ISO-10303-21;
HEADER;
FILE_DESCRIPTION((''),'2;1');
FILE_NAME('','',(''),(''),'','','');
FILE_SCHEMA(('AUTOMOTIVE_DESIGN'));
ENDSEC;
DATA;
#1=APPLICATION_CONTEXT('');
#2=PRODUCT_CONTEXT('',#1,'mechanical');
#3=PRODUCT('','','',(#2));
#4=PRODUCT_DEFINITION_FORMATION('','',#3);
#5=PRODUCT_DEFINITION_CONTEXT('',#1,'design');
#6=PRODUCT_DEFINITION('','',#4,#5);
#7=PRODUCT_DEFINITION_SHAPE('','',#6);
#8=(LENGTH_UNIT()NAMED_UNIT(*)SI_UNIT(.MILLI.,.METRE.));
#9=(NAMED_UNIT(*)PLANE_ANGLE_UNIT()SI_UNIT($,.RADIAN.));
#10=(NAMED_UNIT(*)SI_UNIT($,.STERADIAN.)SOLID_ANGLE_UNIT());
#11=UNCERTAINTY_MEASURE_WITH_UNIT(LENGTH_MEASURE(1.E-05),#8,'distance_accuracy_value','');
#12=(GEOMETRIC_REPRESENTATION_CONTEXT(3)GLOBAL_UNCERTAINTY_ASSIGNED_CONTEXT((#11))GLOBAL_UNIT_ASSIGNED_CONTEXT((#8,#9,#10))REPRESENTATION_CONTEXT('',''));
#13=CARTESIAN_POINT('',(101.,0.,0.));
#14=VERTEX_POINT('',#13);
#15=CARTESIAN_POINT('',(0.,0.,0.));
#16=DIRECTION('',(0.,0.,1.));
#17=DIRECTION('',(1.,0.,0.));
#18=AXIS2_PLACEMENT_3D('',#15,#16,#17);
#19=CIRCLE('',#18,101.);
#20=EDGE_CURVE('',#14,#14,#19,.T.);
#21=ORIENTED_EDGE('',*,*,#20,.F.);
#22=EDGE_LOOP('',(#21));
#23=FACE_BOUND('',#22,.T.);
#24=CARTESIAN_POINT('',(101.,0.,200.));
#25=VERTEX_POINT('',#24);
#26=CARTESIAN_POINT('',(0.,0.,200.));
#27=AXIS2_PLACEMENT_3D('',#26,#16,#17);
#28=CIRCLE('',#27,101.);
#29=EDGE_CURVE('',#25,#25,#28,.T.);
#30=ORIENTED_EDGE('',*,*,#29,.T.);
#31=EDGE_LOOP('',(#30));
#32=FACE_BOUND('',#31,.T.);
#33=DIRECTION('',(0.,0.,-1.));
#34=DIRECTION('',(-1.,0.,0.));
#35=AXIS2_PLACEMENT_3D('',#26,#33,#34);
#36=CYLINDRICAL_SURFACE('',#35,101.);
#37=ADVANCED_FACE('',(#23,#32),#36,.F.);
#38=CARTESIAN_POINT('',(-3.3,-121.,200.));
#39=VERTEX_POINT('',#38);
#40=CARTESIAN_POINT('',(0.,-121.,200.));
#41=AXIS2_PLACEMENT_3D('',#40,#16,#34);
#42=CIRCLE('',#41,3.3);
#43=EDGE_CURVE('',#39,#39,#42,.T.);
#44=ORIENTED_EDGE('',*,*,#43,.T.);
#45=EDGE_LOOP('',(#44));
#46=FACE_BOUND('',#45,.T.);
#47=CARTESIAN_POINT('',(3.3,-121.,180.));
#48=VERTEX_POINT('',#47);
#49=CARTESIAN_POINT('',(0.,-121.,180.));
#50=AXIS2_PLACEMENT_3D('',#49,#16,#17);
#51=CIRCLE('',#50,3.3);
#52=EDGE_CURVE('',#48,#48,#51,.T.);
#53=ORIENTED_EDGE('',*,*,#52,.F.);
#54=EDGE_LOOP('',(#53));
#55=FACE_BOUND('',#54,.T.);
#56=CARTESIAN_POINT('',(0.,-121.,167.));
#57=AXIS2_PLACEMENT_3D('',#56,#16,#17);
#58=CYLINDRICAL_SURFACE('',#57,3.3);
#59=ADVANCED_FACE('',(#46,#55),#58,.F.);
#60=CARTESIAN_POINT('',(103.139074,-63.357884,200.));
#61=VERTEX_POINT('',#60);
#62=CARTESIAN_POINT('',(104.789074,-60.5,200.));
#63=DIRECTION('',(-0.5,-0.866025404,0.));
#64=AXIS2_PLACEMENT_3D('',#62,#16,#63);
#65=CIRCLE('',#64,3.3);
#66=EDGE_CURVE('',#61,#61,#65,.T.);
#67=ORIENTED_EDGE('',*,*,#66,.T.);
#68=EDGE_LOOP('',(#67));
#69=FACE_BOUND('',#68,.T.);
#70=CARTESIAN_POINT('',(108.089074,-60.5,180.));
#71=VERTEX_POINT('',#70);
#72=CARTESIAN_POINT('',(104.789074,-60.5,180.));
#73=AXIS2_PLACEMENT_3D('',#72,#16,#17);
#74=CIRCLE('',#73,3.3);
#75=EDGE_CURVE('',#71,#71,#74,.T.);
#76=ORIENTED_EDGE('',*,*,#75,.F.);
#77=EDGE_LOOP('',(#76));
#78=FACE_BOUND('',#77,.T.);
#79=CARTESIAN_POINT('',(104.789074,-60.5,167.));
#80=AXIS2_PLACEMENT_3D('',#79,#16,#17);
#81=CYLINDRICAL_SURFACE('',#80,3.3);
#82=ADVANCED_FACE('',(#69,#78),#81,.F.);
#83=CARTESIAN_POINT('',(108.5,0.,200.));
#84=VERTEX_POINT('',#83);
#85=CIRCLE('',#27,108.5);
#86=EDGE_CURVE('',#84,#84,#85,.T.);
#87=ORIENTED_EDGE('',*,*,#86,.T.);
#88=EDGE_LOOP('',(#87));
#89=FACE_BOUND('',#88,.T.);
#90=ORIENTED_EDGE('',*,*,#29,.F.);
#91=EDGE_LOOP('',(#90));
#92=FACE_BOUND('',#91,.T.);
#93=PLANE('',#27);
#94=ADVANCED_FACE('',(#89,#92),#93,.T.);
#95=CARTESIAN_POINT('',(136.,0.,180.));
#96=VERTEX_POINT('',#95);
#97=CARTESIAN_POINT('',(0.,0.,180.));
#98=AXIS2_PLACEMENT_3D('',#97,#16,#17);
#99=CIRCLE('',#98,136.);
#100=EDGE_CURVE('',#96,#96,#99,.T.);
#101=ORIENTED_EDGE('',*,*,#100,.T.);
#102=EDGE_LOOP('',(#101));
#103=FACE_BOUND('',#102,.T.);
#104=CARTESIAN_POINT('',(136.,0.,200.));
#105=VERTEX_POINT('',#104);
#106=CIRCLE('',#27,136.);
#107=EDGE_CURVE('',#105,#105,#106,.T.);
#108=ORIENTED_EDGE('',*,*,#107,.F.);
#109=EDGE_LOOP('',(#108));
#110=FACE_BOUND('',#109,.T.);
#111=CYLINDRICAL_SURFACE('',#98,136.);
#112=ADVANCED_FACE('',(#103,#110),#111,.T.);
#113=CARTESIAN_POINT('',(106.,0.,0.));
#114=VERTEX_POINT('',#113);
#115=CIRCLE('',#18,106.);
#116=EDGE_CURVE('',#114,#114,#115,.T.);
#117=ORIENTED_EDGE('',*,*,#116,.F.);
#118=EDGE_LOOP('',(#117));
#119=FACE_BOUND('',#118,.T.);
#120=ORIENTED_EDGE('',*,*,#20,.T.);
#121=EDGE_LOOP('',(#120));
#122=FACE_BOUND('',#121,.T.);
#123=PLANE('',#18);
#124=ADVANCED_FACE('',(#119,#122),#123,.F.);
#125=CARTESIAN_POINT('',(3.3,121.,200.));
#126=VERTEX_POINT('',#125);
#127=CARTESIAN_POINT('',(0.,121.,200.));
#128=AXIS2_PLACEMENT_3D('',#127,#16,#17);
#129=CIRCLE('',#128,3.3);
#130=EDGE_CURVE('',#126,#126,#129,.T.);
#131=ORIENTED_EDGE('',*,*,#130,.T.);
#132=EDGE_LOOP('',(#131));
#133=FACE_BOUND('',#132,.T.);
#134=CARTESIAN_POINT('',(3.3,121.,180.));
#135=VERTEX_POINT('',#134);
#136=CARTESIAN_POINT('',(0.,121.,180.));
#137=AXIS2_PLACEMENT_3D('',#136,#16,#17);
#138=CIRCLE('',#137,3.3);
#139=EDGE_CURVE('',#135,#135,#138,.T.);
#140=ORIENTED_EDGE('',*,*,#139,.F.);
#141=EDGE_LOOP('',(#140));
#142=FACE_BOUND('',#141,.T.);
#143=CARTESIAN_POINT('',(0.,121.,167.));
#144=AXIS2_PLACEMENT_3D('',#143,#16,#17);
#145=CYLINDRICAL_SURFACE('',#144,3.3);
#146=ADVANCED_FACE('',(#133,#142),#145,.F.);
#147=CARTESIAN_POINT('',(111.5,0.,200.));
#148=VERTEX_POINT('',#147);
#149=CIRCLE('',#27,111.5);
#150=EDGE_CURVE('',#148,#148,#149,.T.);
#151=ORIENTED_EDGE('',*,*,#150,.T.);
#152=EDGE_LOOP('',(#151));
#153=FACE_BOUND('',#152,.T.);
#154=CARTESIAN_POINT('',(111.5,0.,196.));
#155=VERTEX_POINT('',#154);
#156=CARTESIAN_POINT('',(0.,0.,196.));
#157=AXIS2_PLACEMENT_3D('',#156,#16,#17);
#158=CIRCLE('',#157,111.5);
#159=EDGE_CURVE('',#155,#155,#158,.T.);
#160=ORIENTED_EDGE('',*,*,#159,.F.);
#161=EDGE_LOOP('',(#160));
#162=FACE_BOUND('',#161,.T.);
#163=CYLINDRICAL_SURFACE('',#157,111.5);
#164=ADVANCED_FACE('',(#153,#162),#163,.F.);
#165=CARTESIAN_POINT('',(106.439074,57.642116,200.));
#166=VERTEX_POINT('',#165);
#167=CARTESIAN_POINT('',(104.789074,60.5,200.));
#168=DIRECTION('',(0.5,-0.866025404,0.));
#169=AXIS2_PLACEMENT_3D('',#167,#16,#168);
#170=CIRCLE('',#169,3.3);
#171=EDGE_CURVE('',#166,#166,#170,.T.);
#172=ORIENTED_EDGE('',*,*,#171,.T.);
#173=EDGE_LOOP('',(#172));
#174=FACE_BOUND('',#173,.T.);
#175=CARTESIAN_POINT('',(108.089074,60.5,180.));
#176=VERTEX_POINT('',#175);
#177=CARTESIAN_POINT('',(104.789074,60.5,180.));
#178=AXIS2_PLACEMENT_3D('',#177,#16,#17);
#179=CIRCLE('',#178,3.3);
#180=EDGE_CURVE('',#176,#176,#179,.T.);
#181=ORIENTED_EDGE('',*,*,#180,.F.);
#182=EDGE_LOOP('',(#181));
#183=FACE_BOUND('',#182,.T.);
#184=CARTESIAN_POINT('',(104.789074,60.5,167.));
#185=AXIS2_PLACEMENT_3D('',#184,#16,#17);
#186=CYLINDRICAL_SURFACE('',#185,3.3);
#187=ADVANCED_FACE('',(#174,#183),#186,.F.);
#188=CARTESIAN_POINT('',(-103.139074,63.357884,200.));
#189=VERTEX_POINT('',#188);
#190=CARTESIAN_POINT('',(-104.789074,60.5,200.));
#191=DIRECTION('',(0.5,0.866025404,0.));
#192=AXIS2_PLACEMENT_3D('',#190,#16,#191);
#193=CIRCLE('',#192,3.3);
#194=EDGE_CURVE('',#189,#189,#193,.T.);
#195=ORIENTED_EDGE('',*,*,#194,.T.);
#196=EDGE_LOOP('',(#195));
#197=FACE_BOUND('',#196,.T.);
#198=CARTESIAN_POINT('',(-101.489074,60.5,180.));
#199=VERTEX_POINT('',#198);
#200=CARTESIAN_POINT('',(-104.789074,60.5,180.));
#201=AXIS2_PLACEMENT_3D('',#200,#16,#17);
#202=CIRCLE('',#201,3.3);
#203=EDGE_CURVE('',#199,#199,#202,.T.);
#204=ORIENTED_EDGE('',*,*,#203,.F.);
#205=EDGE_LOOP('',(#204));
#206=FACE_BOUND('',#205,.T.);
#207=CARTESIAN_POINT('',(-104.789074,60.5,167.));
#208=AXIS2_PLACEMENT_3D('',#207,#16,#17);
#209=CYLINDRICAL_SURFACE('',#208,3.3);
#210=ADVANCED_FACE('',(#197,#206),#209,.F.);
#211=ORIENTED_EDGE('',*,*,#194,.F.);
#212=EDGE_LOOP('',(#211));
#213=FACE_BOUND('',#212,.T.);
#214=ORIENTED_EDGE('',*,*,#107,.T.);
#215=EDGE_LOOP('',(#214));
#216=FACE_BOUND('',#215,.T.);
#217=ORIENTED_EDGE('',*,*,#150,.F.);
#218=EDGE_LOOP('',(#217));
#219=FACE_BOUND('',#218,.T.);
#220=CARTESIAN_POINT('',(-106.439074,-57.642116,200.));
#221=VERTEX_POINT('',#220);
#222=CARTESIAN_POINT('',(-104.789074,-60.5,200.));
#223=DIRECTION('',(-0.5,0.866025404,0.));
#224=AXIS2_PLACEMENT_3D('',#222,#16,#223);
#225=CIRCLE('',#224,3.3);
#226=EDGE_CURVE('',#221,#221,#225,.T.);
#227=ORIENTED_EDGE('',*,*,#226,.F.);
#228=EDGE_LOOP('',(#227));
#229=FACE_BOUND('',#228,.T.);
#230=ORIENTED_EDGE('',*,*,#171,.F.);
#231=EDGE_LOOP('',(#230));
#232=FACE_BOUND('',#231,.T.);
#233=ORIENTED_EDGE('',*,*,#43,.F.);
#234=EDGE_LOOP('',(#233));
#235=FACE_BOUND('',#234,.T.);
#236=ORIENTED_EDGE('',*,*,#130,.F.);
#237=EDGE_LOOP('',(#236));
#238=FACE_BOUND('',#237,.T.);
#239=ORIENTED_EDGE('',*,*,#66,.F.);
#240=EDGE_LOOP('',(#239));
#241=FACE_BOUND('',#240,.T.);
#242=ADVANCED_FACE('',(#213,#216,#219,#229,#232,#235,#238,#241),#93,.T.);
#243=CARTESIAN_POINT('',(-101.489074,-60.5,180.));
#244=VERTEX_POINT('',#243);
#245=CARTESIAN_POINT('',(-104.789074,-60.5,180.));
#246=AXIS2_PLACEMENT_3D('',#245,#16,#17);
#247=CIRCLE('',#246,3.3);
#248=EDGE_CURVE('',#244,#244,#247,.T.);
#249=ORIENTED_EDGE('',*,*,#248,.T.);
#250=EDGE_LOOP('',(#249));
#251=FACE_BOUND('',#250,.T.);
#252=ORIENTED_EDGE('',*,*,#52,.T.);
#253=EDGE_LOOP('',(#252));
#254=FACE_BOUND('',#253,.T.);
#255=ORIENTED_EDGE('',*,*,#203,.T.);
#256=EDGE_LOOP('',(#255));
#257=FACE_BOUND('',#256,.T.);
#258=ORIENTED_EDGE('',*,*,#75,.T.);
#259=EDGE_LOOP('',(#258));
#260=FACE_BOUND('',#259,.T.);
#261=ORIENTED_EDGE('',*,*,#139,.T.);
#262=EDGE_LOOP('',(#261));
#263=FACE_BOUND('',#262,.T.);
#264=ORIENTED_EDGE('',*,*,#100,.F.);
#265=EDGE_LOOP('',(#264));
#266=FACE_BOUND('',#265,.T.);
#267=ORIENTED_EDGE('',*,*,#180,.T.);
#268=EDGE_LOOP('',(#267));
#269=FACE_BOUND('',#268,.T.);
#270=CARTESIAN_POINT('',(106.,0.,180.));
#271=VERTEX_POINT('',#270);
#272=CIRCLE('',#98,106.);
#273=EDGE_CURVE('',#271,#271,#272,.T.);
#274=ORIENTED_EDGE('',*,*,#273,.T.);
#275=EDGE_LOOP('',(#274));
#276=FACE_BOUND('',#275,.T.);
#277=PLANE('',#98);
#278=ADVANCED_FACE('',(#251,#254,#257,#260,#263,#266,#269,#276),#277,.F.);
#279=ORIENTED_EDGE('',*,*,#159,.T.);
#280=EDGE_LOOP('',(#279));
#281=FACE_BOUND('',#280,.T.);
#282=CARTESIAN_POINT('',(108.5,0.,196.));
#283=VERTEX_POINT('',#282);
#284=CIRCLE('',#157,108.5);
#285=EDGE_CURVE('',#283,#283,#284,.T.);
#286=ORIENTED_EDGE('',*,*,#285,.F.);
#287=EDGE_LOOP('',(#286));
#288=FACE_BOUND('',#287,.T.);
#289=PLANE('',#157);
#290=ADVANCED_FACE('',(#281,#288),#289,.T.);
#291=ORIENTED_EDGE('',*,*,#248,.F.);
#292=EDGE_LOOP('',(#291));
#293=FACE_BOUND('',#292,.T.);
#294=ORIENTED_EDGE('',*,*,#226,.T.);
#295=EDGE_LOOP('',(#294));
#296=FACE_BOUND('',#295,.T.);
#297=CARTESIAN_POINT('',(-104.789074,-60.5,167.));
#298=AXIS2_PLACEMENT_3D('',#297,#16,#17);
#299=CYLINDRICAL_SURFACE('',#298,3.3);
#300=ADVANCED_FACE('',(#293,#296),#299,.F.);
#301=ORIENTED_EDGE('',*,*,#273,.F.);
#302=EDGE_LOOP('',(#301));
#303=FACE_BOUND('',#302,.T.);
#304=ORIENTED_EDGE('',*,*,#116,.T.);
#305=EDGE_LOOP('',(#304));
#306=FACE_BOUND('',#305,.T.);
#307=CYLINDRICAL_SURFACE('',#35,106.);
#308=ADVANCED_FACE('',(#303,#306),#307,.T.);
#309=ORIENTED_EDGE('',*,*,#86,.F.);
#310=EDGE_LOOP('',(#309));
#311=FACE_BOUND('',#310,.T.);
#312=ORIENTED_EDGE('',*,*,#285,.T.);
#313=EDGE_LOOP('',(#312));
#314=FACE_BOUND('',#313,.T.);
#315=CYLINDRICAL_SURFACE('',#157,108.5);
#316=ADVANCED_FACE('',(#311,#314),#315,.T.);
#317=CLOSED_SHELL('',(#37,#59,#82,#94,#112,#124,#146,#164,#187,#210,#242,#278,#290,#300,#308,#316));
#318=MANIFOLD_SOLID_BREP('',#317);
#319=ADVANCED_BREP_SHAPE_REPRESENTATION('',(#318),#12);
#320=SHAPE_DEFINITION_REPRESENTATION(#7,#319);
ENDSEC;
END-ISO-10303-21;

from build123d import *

# Parameters (mm, degrees)
SKETCH1_R           = 106
SKETCH1_R_2         = 101
BOSS_EXTRUDE1_DEPTH = 200
BOSS_EXTRUDE3_START = -20
SKETCH3_R           = 136
SKETCH3_R_2         = 106
BOSS_EXTRUDE3_DEPTH = 20
SKETCH5_R           = 111.5
SKETCH5_R_2         = 108.5
CUT_EXTRUDE1_DEPTH  = 4
SKETCH4_R           = 3.3
CUT_EXTRUDE2_DEPTH  = 33
CIRPATTERN1_COUNT   = 6


with BuildPart() as part:
    # Sketch1 → Boss-Extrude1 (new body)
    with BuildSketch(Plane.XY):
        Circle(SKETCH1_R)
        Circle(SKETCH1_R_2, mode=Mode.SUBTRACT)
    extrude(amount=BOSS_EXTRUDE1_DEPTH)

    # Sketch3 → Boss-Extrude3 (add)
    with BuildSketch(Plane.XY.offset(200).offset(BOSS_EXTRUDE3_START)):
        Circle(SKETCH3_R)
        Circle(SKETCH3_R_2, mode=Mode.SUBTRACT)
    extrude(amount=BOSS_EXTRUDE3_DEPTH)

    # Sketch5 → Cut-Extrude1 (cut)
    with BuildSketch(Plane.XY.offset(200)):
        Circle(SKETCH5_R)
        Circle(SKETCH5_R_2, mode=Mode.SUBTRACT)
    extrude(amount=-CUT_EXTRUDE1_DEPTH, mode=Mode.SUBTRACT)

    # Sketch4 → Cut-Extrude2 (cut)
    with BuildSketch(Plane.XY.offset(200)):
        with Locations((0, 121)):
            Circle(SKETCH4_R)
    cut_extrude2 = extrude(amount=-CUT_EXTRUDE2_DEPTH, mode=Mode.SUBTRACT)

    # CirPattern1: Cut-Extrude2 ×6 about axis
    cirpattern1_axis = Axis((0, 0, 0), (0, 0, 1))
    for i in range(1, CIRPATTERN1_COUNT):
        add(cut_extrude2.rotate(cirpattern1_axis, i * 360 / CIRPATTERN1_COUNT), mode=Mode.SUBTRACT)


solid = part.part
